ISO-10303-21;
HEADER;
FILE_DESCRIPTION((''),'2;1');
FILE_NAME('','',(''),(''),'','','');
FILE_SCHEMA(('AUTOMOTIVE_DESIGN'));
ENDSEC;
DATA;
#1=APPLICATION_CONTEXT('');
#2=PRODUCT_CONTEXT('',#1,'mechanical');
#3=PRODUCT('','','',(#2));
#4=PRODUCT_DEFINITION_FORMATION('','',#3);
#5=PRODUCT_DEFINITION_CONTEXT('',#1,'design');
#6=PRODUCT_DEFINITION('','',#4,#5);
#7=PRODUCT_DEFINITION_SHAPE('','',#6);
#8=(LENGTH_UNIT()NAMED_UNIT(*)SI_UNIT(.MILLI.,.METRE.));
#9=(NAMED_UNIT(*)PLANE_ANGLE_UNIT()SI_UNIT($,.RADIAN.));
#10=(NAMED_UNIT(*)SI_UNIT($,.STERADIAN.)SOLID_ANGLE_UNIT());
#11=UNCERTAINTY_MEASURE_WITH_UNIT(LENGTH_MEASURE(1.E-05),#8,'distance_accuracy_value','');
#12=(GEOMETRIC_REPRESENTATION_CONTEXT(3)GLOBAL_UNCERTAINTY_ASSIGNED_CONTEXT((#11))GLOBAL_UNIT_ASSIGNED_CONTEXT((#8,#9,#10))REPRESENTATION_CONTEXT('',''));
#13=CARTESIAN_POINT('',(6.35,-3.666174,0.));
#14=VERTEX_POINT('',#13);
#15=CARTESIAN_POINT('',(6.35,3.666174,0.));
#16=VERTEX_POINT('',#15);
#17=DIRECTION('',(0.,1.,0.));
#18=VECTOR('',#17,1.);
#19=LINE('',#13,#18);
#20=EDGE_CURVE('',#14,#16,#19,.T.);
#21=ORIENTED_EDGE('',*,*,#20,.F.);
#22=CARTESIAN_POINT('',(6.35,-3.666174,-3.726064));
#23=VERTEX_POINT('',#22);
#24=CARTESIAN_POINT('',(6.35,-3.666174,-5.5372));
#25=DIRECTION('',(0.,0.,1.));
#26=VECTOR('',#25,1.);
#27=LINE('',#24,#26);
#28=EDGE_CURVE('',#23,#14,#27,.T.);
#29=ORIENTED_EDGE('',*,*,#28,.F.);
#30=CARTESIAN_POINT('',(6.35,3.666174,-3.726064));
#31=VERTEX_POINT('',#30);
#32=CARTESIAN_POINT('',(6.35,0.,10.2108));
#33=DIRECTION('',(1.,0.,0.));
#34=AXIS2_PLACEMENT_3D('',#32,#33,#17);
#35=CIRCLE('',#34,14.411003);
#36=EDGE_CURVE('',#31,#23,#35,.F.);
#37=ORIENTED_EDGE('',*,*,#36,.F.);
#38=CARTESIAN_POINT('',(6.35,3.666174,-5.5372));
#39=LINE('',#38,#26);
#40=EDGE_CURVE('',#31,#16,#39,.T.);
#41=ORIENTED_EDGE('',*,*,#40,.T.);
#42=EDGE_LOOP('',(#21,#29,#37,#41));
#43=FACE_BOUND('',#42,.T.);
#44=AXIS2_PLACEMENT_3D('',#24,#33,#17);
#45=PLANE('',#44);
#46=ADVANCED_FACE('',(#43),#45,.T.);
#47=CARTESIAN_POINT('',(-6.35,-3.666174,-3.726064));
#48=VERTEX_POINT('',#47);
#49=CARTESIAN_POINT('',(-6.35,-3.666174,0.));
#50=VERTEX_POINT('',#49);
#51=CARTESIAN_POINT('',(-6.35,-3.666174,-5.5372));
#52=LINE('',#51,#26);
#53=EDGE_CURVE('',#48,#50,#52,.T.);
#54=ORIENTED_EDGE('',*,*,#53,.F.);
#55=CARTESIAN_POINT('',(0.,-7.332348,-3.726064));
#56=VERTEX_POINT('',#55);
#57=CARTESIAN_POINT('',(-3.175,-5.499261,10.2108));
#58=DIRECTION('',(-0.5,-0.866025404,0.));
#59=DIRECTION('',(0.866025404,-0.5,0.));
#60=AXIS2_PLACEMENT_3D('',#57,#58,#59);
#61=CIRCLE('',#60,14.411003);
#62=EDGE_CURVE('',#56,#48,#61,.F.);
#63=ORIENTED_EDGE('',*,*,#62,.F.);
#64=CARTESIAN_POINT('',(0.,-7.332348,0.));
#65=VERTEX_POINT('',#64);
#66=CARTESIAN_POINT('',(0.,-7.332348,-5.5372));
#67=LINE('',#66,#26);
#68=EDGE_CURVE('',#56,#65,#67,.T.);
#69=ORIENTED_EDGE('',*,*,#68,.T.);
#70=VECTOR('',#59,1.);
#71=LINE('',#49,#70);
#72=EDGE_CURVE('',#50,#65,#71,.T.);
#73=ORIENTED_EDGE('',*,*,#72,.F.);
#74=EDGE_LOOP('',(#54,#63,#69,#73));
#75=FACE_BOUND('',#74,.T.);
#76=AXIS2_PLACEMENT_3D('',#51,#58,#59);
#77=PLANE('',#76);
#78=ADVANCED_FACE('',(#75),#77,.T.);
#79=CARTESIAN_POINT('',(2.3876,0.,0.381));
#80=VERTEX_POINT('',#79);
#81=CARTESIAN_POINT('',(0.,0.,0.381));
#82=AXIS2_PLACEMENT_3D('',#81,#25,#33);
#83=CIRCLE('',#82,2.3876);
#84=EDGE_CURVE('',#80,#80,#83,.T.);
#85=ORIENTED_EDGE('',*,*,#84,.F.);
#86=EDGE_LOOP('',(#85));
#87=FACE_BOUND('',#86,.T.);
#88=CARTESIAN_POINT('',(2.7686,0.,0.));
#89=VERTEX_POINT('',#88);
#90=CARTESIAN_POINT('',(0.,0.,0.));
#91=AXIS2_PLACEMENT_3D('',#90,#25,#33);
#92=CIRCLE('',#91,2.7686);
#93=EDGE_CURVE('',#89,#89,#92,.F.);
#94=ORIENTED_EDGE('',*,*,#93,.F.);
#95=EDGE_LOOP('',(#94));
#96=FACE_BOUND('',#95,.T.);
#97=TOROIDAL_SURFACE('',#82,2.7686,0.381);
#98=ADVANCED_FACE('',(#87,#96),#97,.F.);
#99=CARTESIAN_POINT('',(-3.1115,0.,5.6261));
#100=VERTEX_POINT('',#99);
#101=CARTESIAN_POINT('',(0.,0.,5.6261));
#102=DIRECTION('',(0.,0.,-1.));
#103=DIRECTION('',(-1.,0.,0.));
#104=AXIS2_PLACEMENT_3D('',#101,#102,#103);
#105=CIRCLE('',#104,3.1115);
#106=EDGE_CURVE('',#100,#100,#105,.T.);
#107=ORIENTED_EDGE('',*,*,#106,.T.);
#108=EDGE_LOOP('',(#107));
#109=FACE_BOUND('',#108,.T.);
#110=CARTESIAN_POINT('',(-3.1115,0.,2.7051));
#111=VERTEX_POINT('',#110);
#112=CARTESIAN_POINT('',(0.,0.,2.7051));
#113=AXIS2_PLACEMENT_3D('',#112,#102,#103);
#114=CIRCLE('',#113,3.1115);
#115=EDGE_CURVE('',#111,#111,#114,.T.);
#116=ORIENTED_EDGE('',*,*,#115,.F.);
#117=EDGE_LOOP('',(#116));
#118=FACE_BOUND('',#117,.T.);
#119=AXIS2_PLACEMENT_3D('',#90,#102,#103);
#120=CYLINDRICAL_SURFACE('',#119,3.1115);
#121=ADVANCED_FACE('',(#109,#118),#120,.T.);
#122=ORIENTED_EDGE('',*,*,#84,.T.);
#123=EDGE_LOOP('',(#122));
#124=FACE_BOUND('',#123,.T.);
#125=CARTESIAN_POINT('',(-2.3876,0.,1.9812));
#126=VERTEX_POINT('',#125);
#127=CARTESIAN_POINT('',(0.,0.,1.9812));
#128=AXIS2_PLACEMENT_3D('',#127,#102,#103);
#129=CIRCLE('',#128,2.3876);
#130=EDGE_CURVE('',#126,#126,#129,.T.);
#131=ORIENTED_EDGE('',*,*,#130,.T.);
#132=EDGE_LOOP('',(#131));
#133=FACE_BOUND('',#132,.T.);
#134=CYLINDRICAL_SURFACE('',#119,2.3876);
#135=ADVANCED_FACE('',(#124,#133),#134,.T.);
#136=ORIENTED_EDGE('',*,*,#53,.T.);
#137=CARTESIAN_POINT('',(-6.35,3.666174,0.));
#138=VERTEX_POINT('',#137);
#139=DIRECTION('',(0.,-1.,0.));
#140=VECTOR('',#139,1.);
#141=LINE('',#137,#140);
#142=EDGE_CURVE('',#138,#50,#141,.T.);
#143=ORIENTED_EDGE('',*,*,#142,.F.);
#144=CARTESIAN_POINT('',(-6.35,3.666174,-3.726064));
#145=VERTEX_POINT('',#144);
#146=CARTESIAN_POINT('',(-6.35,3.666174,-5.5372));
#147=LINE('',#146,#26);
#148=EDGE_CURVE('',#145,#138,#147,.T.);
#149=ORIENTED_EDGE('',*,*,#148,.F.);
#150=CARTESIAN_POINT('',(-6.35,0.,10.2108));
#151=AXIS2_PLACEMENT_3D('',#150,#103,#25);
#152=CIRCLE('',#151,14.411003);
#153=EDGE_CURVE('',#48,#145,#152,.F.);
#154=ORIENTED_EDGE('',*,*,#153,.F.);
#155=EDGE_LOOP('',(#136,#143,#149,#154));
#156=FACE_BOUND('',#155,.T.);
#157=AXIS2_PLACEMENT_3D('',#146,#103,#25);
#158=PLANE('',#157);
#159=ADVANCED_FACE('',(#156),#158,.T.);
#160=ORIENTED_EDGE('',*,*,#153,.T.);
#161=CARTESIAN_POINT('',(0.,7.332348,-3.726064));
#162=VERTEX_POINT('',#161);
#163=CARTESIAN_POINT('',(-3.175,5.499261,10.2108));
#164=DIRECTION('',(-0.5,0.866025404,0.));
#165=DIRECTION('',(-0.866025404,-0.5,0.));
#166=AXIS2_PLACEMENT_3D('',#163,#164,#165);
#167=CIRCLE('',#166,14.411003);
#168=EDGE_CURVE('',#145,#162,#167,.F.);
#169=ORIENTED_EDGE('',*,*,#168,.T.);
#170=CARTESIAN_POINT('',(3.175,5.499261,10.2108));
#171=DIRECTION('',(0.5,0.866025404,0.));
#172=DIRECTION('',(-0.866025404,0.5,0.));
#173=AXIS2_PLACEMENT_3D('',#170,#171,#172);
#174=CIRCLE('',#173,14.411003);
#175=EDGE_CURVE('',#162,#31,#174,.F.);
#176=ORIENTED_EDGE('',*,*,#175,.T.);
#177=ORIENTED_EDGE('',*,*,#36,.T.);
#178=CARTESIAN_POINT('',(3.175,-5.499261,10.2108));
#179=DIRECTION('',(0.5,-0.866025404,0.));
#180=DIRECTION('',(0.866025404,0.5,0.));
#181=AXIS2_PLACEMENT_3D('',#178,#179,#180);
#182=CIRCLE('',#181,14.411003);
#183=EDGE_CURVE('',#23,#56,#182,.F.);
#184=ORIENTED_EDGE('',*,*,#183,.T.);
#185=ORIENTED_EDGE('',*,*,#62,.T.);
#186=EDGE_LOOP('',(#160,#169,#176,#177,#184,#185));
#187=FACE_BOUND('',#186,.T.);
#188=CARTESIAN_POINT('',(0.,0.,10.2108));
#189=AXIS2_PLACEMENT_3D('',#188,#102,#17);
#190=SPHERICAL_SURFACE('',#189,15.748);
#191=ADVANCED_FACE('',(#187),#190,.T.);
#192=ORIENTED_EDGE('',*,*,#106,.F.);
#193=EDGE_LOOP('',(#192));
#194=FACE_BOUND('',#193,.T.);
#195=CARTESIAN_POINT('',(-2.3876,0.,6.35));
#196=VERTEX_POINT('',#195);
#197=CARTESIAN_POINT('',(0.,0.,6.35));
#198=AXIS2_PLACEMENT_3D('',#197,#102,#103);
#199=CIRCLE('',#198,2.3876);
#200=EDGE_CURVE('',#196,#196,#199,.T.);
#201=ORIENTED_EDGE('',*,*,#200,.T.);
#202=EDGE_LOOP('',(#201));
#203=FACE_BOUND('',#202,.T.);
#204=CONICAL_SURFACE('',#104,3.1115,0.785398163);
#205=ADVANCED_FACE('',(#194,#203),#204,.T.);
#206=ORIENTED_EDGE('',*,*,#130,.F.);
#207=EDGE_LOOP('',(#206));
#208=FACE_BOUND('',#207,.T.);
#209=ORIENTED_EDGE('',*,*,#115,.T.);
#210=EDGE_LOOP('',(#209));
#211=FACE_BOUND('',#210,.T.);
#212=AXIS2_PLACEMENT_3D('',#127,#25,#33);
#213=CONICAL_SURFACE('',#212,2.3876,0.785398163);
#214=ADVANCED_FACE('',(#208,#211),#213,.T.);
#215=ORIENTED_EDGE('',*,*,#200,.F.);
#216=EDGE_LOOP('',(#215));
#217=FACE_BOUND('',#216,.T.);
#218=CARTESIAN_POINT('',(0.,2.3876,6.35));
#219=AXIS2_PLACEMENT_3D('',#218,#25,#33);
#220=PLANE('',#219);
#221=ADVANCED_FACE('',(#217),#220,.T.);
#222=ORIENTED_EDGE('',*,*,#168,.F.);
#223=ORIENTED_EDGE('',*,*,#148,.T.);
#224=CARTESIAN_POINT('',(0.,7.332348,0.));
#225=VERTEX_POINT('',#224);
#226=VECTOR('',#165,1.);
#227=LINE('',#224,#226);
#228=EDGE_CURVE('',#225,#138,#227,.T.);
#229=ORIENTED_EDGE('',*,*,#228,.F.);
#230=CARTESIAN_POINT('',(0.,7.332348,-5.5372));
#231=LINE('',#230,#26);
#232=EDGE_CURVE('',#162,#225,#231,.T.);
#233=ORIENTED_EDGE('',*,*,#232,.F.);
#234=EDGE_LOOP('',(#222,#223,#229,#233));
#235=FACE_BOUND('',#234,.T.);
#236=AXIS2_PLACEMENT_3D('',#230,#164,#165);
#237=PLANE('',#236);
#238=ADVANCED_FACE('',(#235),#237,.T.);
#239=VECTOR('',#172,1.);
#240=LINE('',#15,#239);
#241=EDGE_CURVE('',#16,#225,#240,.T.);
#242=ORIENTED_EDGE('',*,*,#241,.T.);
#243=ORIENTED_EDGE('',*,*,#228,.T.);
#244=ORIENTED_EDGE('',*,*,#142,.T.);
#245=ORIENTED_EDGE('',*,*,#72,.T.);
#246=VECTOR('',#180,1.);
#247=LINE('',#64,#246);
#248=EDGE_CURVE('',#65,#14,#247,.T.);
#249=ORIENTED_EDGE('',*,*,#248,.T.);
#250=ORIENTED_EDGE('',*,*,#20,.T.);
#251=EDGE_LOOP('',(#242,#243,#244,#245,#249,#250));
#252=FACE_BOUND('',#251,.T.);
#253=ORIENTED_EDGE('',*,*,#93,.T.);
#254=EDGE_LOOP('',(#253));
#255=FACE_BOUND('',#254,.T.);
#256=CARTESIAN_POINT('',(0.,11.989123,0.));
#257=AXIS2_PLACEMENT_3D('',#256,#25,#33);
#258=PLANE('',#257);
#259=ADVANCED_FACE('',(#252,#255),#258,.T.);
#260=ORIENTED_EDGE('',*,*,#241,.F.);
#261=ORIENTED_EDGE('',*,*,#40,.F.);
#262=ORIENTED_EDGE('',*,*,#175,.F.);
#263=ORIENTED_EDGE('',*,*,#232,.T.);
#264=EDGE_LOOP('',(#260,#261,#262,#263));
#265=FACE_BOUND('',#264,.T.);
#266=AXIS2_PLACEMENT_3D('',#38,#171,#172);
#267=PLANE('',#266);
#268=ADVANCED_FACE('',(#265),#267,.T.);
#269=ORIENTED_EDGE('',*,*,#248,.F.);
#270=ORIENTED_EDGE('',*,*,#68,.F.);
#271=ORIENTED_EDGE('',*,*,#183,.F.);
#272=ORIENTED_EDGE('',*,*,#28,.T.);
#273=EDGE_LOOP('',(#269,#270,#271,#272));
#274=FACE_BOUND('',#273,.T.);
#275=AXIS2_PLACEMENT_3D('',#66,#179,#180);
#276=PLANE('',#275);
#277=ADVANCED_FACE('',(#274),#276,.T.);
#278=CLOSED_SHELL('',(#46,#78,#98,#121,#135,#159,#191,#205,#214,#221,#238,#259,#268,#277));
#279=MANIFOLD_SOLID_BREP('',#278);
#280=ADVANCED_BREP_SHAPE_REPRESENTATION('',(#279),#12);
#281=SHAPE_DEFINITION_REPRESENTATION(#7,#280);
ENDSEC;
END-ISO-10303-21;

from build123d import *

# Parameters (mm, degrees)
SKETCH2_OUTSIDE_W  = 33.164
SKETCH2_OUTSIDE_H  = 33.164
CUT_EXTRUDE1_DEPTH = 6.5372
FILLET1_R          = 0.381


with BuildPart() as part:
    # Sketch1 → Revolve1 (revolve)
    with BuildSketch(Plane(origin=(0, 0, 0), x_dir=(0, 0, -1), z_dir=(1, 0, 0)), mode=Mode.PRIVATE) as revolve1_sk:
        with BuildLine():
            Line((0, 11.989122877), (0, 2.3876))
            Line((0, 2.3876), (-1.9812, 2.3876))
            Line((-1.9812, 2.3876), (-2.7051, 3.1115))
            Line((-2.7051, 3.1115), (-5.6261, 3.1115))
            Line((-5.6261, 3.1115), (-6.35, 2.3876))
            Line((-6.35, 2.3876), (-6.35, 0))
            Line((-6.35, 0), (5.5372, 0))
            ThreePointArc((5.5372, 0), (4.086038504, 6.603023005), (0, 11.989122877))
        make_face()
    revolve(revolve1_sk.sketch.rotate(Axis((0, 0, 0), (0, 0, 1)), 90), axis=Axis((0, 0, 0), (0, 0, 1)))  # turned: the seam where the file's is

    # Sketch2 outside → Cut-Extrude1 (cut, through all)
    with BuildSketch(Plane.XY):
        Rectangle(SKETCH2_OUTSIDE_W, SKETCH2_OUTSIDE_H)
        Polygon((0, 7.332348419), (-6.35, 3.666174209), (-6.35, -3.666174209), (0, -7.332348419), (6.35, -3.666174209), (6.35, 3.666174209), align=None, mode=Mode.SUBTRACT)
    extrude(amount=-CUT_EXTRUDE1_DEPTH, mode=Mode.SUBTRACT)

    # Fillet1
    fillet1_edges = [part.edges().sort_by_distance(p)[0] for p in [
        (2.3876, 0, 0),
    ]]
    fillet(fillet1_edges, radius=FILLET1_R)


solid = part.part
